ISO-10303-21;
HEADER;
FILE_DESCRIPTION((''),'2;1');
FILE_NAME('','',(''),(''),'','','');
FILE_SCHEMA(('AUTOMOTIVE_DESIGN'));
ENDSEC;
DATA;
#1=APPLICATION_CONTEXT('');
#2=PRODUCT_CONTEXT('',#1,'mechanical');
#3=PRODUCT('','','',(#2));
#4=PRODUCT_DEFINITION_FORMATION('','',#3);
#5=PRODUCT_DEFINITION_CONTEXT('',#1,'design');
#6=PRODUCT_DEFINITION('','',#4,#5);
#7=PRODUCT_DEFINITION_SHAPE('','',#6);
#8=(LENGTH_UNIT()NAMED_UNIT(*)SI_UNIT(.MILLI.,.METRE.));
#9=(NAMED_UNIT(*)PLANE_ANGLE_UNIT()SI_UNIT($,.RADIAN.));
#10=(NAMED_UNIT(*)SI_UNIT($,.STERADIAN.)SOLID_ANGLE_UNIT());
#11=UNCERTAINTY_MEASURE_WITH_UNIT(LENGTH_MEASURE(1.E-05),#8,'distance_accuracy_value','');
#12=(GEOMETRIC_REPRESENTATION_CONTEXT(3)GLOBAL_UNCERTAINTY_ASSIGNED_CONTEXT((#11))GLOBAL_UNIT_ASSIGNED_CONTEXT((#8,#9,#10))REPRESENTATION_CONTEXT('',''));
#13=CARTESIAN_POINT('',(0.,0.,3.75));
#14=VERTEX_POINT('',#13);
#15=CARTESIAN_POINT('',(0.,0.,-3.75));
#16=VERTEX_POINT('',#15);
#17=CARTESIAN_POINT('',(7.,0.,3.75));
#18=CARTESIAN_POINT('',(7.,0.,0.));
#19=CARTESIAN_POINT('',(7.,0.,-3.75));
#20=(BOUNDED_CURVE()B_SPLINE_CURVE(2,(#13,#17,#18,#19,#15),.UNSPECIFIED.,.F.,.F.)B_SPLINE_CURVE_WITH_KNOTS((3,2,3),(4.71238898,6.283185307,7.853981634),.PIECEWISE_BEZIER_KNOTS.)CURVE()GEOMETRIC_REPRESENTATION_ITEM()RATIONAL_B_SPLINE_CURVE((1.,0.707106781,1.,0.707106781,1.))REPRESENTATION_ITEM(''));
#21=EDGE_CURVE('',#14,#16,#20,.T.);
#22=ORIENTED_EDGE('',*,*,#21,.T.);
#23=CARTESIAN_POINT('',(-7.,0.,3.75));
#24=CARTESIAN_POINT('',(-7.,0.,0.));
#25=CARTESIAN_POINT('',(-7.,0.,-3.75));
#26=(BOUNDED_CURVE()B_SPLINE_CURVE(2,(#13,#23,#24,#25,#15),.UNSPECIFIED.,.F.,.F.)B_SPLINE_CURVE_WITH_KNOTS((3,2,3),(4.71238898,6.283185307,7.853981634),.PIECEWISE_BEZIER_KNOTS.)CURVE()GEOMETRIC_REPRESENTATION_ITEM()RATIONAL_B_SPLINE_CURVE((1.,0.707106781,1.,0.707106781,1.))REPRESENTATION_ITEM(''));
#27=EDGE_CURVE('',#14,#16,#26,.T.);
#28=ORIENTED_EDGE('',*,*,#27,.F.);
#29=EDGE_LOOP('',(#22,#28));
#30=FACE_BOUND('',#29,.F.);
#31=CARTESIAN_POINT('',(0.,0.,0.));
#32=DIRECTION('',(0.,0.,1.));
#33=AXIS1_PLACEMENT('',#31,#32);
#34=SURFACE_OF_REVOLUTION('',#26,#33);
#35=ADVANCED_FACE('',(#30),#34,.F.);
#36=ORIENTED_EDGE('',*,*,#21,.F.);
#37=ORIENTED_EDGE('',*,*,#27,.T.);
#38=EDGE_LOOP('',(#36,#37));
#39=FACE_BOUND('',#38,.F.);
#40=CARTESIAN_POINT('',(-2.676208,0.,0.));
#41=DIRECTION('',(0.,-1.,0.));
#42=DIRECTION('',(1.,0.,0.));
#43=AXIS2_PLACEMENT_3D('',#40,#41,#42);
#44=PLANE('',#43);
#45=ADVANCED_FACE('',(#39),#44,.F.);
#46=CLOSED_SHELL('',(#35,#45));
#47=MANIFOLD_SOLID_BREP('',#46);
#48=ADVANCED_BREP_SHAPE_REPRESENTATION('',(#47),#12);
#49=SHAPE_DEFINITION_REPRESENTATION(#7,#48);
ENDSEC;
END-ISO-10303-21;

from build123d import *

# Parameters (mm, degrees)
F1_ANGLE = 180


with BuildPart() as f1:
    # F0 (on Front) → F1 (revolve)
    with BuildSketch(Plane.XZ):
        with BuildLine():
            Line((0, -3.75), (0, 3.75))
            add(Edge.make_bspline(
                [(0, 3.75), (-7, 3.75), (-7, 0), (-7, -3.75), (0, -3.75)],
                knots=[4.7123889804, 4.7123889804, 4.7123889804, 6.2831853072, 6.2831853072, 7.853981634, 7.853981634, 7.853981634], degree=2, weights=[1, 0.7071067812, 1, 0.7071067812, 1]))
        make_face()
    revolve(axis=Axis((0, 0, 0), (0, 0, 1)), revolution_arc=F1_ANGLE)


solid = f1.part
